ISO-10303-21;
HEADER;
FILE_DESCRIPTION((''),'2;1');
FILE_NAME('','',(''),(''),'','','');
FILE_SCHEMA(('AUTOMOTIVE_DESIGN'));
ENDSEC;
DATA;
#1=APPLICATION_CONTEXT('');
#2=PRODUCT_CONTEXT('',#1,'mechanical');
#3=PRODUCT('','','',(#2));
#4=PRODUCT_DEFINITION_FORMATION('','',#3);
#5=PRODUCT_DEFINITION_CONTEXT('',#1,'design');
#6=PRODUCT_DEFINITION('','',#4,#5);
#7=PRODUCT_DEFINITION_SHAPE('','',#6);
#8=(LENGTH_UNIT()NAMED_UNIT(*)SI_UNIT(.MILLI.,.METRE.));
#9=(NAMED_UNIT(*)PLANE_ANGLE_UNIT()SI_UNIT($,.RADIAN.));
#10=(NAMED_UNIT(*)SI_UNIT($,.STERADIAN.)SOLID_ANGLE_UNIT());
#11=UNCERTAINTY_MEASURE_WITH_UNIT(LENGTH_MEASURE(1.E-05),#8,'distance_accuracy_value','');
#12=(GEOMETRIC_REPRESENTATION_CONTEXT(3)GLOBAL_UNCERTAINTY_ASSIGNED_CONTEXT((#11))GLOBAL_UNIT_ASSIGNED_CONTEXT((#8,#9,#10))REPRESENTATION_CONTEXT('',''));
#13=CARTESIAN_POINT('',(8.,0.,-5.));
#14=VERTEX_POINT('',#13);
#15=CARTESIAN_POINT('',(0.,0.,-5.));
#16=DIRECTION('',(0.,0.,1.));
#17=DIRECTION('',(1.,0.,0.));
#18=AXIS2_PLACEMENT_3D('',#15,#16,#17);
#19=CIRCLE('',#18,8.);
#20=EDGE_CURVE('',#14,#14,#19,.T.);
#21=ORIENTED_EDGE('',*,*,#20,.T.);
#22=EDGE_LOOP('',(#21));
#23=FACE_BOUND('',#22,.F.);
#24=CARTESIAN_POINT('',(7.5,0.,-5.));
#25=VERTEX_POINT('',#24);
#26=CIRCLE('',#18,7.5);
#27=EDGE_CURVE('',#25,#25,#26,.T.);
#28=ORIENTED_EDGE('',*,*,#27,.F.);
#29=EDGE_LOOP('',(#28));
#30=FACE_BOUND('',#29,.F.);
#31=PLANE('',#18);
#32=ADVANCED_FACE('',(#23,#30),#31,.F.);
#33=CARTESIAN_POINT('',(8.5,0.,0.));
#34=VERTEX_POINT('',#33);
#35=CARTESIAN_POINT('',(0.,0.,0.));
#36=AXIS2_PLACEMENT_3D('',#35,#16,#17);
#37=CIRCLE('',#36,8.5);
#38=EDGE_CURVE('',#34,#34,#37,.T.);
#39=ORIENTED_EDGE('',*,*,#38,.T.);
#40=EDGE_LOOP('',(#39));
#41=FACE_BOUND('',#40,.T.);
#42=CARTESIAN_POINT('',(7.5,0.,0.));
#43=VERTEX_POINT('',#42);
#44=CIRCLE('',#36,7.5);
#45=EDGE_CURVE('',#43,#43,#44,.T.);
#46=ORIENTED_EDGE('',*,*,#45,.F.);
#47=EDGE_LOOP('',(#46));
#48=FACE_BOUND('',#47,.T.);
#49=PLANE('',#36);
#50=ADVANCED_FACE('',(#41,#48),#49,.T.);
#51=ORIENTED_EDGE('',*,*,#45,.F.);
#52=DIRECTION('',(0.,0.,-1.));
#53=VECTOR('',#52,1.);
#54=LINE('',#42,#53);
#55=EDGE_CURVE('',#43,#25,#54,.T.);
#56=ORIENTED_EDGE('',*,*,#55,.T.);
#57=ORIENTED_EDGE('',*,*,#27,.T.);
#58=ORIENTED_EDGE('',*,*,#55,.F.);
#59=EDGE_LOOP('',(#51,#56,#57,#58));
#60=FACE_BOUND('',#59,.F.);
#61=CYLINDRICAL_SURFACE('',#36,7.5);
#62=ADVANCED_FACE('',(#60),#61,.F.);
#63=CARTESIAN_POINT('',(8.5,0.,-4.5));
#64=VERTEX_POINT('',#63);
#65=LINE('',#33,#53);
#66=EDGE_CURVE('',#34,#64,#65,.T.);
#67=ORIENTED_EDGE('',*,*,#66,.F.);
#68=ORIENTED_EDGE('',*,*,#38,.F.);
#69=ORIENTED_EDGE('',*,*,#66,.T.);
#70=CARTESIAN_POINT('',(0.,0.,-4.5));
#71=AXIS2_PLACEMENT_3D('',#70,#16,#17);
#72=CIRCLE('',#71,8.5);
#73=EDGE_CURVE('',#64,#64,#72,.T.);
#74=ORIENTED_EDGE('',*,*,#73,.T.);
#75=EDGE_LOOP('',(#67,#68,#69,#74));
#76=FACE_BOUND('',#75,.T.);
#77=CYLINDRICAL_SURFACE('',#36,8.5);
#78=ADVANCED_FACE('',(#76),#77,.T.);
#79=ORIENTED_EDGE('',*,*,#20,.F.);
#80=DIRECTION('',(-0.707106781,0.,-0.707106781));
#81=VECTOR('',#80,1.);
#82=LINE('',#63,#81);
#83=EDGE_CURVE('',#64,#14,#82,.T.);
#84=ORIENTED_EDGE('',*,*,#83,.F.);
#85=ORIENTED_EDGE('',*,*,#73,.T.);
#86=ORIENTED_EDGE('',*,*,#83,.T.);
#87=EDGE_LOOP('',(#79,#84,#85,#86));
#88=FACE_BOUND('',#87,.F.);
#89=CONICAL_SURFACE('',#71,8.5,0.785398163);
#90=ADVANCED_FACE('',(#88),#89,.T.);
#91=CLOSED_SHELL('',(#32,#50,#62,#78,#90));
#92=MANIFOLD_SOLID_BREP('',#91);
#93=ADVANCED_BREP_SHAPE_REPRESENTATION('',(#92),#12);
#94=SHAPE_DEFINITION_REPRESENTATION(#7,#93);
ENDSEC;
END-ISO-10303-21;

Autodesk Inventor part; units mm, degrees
ref_plane "YZ Plane" through (0, 0, 0) normal (1, 0, 0) x (0, 1, 0)
ref_plane "XZ Plane" through (0, 0, 0) normal (0, 1, 0) x (-1, 0, 0)
ref_plane "XY Plane" through (0, 0, 0) normal (0, 0, 1) x (1, 0, 0)
sketch "Sketch1" plane through (0, 0, 0) normal (0, 0, 1) x (1, 0, 0)
  circle A0 centre (0, 0) radius 7.5
  circle A1 centre (0, 0) radius 8.5
  dimension "d0" = 15
  dimension "d1" = 17
extrude "Extrusion1" add sketch "Sketch1" against normal blind 5
chamfer "Chamfer1" distance 0.5 angle 45 1 edges at (-8.5, 0, -5)
properties part number "w5f15-17n" material "Acetal Resin, Black"
